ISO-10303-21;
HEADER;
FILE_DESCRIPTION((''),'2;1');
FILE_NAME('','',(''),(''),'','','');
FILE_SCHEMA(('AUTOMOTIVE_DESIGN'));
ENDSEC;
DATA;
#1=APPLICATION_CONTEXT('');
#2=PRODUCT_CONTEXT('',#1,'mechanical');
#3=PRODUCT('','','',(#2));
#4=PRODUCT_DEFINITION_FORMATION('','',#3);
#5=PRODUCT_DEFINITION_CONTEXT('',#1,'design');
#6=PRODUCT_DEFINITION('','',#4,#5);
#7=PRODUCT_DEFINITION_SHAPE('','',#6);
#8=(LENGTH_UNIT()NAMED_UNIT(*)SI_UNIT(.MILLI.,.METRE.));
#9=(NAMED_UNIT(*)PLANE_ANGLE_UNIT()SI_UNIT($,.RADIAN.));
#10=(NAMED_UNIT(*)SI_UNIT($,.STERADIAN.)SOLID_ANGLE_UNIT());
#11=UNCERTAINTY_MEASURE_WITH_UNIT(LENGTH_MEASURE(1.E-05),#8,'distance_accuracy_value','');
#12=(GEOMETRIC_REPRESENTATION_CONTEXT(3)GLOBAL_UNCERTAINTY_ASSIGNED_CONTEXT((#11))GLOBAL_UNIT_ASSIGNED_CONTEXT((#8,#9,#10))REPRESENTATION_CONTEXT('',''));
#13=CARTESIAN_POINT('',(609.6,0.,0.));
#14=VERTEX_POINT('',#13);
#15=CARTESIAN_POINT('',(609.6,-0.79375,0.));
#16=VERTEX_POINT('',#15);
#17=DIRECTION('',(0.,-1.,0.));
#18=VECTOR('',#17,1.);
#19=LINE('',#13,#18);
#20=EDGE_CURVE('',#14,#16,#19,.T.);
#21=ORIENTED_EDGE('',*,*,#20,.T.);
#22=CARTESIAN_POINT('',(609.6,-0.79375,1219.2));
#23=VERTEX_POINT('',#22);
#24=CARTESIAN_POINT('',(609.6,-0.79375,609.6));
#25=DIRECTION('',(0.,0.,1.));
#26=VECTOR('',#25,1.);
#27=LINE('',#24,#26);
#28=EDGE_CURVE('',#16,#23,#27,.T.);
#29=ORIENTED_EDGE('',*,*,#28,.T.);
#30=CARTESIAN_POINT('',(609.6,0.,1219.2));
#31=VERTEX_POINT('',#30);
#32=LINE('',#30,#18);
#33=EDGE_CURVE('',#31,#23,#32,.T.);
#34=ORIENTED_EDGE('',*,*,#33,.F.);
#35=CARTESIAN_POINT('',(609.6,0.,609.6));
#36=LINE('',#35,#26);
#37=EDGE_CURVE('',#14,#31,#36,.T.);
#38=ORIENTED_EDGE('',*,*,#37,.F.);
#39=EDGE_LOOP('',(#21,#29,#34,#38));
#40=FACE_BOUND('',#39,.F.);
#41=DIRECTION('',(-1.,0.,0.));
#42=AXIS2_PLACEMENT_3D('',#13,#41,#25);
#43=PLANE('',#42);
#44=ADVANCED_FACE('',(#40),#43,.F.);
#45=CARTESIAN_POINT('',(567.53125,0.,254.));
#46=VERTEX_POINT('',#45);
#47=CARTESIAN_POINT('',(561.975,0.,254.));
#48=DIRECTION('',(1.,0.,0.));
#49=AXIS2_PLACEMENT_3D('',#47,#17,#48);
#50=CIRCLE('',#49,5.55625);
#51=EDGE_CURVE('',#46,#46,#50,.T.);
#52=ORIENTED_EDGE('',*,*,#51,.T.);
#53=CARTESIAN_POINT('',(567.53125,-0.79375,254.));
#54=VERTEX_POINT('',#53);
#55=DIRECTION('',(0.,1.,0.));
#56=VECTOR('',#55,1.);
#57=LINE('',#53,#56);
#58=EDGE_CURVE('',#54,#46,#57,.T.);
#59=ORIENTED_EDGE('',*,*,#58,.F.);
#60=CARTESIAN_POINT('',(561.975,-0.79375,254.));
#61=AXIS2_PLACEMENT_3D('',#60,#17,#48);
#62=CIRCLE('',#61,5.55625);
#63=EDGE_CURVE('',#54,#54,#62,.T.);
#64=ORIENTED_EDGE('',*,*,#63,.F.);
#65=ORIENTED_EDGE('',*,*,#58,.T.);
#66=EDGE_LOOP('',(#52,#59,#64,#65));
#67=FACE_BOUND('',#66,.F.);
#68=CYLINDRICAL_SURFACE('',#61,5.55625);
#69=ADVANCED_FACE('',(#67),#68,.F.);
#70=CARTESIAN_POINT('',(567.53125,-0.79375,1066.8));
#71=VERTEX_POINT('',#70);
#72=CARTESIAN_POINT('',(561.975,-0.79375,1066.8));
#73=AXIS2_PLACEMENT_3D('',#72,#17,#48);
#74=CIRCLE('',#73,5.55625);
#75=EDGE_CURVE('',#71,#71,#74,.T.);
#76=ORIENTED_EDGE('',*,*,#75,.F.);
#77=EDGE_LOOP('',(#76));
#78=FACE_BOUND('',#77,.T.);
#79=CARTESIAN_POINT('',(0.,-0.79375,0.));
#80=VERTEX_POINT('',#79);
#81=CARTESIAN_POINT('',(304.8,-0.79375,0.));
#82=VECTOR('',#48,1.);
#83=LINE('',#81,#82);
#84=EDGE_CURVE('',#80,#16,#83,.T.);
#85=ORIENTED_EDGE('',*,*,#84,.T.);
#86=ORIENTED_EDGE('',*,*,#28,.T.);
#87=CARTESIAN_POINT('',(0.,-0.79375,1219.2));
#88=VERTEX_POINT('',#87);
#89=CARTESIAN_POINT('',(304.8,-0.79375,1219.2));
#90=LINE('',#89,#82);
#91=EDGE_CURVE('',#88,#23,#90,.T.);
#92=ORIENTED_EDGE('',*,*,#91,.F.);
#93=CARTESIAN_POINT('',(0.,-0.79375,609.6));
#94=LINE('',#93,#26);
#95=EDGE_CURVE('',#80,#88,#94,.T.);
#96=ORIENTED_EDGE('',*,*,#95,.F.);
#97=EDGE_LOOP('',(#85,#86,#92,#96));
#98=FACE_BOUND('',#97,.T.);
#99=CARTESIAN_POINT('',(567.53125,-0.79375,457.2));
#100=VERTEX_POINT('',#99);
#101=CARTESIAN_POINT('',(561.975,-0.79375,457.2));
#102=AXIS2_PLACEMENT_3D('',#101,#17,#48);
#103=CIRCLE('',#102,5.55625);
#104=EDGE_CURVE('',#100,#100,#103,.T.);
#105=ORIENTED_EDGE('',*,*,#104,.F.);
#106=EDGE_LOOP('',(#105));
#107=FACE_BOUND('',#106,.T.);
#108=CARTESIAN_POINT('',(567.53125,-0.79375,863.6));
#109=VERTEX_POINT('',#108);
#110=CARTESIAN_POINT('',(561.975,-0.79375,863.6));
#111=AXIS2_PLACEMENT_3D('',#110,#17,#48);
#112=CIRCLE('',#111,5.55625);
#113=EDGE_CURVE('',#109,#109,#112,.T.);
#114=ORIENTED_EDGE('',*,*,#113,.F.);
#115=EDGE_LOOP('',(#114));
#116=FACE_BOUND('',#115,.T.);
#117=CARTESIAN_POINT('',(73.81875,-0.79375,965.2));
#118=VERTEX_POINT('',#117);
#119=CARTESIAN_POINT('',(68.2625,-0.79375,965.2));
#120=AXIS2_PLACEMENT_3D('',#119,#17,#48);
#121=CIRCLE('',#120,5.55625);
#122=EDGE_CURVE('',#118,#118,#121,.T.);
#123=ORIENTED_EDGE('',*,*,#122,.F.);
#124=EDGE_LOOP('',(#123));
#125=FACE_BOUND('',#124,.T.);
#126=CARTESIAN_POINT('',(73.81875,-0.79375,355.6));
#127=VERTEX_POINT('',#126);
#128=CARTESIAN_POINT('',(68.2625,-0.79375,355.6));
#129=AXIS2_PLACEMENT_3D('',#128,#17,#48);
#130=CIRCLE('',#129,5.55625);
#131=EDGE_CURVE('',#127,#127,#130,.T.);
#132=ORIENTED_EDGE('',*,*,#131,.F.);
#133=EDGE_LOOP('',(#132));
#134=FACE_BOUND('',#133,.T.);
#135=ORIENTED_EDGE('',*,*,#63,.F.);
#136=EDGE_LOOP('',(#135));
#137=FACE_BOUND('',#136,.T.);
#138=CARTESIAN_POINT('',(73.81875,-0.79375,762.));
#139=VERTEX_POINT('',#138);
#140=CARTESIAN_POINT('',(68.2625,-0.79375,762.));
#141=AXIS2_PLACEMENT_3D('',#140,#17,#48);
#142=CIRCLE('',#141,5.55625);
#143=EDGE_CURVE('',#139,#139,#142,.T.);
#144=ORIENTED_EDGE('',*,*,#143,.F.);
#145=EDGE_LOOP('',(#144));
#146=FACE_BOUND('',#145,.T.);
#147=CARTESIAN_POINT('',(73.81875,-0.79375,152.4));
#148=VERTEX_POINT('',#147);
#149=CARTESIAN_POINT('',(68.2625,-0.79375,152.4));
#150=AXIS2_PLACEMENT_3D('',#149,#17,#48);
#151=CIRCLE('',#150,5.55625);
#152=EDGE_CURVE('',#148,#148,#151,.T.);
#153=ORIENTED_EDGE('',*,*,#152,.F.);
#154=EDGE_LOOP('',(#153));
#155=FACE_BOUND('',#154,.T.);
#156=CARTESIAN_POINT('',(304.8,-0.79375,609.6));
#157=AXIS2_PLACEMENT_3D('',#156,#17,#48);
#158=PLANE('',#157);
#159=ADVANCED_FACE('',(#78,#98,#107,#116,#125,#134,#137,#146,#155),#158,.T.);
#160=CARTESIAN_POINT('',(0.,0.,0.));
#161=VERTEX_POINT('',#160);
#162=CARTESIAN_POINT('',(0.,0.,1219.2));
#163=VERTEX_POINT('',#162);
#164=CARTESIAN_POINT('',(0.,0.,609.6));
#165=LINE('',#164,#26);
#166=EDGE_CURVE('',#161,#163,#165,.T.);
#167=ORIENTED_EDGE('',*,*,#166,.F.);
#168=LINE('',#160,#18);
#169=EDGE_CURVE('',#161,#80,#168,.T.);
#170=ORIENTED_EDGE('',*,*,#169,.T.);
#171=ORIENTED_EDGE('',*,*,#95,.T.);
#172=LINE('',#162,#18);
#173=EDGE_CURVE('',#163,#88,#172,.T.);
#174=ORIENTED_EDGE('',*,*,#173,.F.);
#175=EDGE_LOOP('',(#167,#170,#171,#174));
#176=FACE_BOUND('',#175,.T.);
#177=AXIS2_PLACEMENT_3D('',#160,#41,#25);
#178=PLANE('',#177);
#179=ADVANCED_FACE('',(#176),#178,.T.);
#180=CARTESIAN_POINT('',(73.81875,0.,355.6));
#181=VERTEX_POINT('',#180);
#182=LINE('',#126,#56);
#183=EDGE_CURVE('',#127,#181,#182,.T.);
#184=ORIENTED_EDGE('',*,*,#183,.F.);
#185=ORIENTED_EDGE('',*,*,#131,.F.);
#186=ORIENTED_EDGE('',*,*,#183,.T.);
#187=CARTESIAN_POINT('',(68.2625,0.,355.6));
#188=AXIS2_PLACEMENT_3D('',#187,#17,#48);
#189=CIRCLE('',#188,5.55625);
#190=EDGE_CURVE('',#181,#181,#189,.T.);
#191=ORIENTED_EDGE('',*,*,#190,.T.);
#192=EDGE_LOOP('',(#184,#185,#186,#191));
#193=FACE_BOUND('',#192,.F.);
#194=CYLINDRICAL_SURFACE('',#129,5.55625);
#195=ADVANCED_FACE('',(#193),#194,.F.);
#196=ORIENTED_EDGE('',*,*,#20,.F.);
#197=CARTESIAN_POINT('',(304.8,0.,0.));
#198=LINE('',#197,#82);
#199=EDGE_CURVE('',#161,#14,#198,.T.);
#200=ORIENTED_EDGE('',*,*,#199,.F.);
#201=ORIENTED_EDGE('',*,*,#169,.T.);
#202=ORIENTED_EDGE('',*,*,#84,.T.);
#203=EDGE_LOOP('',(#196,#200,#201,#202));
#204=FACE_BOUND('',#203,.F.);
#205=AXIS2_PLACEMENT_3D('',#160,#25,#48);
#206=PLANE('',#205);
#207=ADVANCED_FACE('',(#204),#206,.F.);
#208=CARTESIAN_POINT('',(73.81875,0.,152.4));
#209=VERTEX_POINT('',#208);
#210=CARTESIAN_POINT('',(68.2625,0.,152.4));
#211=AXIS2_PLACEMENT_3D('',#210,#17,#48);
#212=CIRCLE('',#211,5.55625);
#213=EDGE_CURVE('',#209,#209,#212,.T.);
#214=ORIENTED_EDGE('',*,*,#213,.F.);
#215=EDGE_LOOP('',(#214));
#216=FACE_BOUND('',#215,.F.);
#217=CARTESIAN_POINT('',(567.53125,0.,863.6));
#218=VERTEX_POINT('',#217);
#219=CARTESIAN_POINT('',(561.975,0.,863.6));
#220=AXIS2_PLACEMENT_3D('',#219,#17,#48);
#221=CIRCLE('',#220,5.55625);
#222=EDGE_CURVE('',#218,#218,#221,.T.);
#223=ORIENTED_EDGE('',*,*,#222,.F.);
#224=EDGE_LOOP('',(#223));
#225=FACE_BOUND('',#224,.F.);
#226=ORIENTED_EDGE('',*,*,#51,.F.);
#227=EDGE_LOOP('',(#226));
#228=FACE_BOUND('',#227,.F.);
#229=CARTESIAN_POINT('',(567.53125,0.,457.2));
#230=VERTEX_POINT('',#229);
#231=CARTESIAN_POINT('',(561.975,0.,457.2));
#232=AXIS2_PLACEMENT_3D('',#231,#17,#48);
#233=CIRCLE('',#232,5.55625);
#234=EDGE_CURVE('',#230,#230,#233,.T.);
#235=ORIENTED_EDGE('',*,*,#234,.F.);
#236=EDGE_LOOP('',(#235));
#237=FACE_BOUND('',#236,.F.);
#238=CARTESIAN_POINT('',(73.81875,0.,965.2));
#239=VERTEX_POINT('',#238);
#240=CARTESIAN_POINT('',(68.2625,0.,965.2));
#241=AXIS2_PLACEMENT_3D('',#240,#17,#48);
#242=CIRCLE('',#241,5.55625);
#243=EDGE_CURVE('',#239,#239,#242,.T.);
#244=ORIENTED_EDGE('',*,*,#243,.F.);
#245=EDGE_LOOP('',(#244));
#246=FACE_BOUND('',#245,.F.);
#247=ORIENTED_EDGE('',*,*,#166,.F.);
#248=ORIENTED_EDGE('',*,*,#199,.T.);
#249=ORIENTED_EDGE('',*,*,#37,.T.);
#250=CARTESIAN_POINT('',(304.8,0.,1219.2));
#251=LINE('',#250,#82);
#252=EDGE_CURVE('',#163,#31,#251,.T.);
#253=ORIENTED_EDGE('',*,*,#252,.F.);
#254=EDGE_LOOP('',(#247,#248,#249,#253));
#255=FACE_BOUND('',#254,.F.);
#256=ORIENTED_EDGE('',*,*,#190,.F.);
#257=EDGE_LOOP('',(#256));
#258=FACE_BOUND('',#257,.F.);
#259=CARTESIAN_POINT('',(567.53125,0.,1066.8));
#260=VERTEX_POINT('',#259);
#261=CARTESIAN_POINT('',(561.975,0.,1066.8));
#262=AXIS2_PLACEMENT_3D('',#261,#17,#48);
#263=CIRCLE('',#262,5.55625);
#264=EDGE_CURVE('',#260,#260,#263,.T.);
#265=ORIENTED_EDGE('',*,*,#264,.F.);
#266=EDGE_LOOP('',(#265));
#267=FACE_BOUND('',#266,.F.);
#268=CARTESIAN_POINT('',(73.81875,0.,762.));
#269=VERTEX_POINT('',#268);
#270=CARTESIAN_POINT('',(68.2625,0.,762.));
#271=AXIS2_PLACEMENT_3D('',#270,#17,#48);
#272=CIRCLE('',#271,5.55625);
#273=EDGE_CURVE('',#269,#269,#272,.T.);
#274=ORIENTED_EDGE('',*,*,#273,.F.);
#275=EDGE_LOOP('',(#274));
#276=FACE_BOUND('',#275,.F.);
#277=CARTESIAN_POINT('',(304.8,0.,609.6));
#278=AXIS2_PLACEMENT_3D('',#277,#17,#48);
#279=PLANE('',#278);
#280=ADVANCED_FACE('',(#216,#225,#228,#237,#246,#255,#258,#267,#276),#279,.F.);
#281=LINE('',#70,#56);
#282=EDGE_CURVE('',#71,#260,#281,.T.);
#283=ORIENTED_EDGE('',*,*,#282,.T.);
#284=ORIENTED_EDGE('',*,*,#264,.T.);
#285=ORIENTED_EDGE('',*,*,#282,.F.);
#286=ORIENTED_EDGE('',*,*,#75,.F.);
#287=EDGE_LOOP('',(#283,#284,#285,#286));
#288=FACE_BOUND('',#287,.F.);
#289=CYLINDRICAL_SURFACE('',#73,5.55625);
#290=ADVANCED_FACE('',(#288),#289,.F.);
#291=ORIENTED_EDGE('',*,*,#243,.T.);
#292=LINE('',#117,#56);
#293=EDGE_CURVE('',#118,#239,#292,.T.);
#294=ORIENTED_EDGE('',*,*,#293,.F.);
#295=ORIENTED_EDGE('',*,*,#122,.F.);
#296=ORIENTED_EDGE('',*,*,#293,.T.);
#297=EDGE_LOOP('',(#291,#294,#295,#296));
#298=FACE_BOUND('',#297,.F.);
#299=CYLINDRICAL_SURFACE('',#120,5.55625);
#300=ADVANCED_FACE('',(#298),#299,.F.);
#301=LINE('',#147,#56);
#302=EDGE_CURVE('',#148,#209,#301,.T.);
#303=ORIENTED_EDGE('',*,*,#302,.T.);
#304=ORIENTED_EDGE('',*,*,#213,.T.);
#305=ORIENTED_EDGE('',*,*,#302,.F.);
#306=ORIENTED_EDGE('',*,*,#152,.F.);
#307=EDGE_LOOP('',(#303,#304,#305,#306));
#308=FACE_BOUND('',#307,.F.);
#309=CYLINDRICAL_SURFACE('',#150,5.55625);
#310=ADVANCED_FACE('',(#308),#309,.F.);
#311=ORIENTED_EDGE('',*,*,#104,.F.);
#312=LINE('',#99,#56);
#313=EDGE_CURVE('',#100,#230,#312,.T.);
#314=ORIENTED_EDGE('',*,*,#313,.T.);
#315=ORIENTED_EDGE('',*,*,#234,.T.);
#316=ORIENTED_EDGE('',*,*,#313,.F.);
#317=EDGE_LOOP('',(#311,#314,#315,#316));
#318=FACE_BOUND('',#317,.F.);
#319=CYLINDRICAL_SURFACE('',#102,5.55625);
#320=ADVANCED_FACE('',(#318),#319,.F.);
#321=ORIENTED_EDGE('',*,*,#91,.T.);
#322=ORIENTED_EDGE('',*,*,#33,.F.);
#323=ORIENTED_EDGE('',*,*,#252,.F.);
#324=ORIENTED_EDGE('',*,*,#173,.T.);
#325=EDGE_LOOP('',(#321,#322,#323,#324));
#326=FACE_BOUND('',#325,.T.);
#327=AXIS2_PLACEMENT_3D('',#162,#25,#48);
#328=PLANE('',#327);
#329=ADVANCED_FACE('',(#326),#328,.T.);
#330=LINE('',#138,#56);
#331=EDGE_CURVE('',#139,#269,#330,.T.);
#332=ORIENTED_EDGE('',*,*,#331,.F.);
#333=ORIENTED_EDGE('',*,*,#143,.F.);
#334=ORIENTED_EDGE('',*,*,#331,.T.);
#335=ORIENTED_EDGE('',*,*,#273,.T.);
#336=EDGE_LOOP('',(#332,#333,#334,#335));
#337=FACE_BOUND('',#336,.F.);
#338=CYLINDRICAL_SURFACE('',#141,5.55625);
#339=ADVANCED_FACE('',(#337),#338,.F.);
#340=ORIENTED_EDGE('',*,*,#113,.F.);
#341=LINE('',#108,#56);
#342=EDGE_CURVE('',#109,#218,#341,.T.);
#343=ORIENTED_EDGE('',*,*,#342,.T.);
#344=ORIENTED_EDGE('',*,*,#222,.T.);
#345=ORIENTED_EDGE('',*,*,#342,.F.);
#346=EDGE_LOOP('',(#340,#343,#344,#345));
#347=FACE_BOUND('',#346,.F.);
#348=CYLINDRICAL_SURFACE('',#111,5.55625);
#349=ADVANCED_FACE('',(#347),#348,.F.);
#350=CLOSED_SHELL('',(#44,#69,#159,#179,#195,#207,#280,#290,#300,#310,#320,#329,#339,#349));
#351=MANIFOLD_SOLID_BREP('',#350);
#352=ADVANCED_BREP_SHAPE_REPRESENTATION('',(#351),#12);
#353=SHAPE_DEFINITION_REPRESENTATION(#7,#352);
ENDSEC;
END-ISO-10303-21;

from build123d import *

# Parameters (mm, degrees)
F0_W     = 609.6
F0_H     = 1219.2
F1_DEPTH = 0.79375
F2_R     = 5.55625
F3_DEPTH = 25.4


with BuildPart() as f1:
    # F0 (on Front) → F1 (new body)
    with BuildSketch(Plane.XZ):
        with Locations((304.8, 609.6)):
            Rectangle(F0_W, F0_H)
    extrude(amount=F1_DEPTH)

    # F2 (on face) → F3 (cut)
    with BuildSketch(Plane.XZ.offset(0.79375)):
        with Locations((68.2625, 152.4)):
            Circle(F2_R)
        with Locations((68.2625, 355.6)):
            Circle(F2_R)
        with Locations((561.975, 863.6)):
            Circle(F2_R)
        with Locations((561.975, 1066.8)):
            Circle(F2_R)
        with Locations((68.2625, 762)):
            Circle(F2_R)
        with Locations((68.2625, 965.2)):
            Circle(F2_R)
        with Locations((561.975, 254)):
            Circle(F2_R)
        with Locations((561.975, 457.2)):
            Circle(F2_R)
    extrude(amount=-F3_DEPTH, mode=Mode.SUBTRACT)


solid = f1.part
